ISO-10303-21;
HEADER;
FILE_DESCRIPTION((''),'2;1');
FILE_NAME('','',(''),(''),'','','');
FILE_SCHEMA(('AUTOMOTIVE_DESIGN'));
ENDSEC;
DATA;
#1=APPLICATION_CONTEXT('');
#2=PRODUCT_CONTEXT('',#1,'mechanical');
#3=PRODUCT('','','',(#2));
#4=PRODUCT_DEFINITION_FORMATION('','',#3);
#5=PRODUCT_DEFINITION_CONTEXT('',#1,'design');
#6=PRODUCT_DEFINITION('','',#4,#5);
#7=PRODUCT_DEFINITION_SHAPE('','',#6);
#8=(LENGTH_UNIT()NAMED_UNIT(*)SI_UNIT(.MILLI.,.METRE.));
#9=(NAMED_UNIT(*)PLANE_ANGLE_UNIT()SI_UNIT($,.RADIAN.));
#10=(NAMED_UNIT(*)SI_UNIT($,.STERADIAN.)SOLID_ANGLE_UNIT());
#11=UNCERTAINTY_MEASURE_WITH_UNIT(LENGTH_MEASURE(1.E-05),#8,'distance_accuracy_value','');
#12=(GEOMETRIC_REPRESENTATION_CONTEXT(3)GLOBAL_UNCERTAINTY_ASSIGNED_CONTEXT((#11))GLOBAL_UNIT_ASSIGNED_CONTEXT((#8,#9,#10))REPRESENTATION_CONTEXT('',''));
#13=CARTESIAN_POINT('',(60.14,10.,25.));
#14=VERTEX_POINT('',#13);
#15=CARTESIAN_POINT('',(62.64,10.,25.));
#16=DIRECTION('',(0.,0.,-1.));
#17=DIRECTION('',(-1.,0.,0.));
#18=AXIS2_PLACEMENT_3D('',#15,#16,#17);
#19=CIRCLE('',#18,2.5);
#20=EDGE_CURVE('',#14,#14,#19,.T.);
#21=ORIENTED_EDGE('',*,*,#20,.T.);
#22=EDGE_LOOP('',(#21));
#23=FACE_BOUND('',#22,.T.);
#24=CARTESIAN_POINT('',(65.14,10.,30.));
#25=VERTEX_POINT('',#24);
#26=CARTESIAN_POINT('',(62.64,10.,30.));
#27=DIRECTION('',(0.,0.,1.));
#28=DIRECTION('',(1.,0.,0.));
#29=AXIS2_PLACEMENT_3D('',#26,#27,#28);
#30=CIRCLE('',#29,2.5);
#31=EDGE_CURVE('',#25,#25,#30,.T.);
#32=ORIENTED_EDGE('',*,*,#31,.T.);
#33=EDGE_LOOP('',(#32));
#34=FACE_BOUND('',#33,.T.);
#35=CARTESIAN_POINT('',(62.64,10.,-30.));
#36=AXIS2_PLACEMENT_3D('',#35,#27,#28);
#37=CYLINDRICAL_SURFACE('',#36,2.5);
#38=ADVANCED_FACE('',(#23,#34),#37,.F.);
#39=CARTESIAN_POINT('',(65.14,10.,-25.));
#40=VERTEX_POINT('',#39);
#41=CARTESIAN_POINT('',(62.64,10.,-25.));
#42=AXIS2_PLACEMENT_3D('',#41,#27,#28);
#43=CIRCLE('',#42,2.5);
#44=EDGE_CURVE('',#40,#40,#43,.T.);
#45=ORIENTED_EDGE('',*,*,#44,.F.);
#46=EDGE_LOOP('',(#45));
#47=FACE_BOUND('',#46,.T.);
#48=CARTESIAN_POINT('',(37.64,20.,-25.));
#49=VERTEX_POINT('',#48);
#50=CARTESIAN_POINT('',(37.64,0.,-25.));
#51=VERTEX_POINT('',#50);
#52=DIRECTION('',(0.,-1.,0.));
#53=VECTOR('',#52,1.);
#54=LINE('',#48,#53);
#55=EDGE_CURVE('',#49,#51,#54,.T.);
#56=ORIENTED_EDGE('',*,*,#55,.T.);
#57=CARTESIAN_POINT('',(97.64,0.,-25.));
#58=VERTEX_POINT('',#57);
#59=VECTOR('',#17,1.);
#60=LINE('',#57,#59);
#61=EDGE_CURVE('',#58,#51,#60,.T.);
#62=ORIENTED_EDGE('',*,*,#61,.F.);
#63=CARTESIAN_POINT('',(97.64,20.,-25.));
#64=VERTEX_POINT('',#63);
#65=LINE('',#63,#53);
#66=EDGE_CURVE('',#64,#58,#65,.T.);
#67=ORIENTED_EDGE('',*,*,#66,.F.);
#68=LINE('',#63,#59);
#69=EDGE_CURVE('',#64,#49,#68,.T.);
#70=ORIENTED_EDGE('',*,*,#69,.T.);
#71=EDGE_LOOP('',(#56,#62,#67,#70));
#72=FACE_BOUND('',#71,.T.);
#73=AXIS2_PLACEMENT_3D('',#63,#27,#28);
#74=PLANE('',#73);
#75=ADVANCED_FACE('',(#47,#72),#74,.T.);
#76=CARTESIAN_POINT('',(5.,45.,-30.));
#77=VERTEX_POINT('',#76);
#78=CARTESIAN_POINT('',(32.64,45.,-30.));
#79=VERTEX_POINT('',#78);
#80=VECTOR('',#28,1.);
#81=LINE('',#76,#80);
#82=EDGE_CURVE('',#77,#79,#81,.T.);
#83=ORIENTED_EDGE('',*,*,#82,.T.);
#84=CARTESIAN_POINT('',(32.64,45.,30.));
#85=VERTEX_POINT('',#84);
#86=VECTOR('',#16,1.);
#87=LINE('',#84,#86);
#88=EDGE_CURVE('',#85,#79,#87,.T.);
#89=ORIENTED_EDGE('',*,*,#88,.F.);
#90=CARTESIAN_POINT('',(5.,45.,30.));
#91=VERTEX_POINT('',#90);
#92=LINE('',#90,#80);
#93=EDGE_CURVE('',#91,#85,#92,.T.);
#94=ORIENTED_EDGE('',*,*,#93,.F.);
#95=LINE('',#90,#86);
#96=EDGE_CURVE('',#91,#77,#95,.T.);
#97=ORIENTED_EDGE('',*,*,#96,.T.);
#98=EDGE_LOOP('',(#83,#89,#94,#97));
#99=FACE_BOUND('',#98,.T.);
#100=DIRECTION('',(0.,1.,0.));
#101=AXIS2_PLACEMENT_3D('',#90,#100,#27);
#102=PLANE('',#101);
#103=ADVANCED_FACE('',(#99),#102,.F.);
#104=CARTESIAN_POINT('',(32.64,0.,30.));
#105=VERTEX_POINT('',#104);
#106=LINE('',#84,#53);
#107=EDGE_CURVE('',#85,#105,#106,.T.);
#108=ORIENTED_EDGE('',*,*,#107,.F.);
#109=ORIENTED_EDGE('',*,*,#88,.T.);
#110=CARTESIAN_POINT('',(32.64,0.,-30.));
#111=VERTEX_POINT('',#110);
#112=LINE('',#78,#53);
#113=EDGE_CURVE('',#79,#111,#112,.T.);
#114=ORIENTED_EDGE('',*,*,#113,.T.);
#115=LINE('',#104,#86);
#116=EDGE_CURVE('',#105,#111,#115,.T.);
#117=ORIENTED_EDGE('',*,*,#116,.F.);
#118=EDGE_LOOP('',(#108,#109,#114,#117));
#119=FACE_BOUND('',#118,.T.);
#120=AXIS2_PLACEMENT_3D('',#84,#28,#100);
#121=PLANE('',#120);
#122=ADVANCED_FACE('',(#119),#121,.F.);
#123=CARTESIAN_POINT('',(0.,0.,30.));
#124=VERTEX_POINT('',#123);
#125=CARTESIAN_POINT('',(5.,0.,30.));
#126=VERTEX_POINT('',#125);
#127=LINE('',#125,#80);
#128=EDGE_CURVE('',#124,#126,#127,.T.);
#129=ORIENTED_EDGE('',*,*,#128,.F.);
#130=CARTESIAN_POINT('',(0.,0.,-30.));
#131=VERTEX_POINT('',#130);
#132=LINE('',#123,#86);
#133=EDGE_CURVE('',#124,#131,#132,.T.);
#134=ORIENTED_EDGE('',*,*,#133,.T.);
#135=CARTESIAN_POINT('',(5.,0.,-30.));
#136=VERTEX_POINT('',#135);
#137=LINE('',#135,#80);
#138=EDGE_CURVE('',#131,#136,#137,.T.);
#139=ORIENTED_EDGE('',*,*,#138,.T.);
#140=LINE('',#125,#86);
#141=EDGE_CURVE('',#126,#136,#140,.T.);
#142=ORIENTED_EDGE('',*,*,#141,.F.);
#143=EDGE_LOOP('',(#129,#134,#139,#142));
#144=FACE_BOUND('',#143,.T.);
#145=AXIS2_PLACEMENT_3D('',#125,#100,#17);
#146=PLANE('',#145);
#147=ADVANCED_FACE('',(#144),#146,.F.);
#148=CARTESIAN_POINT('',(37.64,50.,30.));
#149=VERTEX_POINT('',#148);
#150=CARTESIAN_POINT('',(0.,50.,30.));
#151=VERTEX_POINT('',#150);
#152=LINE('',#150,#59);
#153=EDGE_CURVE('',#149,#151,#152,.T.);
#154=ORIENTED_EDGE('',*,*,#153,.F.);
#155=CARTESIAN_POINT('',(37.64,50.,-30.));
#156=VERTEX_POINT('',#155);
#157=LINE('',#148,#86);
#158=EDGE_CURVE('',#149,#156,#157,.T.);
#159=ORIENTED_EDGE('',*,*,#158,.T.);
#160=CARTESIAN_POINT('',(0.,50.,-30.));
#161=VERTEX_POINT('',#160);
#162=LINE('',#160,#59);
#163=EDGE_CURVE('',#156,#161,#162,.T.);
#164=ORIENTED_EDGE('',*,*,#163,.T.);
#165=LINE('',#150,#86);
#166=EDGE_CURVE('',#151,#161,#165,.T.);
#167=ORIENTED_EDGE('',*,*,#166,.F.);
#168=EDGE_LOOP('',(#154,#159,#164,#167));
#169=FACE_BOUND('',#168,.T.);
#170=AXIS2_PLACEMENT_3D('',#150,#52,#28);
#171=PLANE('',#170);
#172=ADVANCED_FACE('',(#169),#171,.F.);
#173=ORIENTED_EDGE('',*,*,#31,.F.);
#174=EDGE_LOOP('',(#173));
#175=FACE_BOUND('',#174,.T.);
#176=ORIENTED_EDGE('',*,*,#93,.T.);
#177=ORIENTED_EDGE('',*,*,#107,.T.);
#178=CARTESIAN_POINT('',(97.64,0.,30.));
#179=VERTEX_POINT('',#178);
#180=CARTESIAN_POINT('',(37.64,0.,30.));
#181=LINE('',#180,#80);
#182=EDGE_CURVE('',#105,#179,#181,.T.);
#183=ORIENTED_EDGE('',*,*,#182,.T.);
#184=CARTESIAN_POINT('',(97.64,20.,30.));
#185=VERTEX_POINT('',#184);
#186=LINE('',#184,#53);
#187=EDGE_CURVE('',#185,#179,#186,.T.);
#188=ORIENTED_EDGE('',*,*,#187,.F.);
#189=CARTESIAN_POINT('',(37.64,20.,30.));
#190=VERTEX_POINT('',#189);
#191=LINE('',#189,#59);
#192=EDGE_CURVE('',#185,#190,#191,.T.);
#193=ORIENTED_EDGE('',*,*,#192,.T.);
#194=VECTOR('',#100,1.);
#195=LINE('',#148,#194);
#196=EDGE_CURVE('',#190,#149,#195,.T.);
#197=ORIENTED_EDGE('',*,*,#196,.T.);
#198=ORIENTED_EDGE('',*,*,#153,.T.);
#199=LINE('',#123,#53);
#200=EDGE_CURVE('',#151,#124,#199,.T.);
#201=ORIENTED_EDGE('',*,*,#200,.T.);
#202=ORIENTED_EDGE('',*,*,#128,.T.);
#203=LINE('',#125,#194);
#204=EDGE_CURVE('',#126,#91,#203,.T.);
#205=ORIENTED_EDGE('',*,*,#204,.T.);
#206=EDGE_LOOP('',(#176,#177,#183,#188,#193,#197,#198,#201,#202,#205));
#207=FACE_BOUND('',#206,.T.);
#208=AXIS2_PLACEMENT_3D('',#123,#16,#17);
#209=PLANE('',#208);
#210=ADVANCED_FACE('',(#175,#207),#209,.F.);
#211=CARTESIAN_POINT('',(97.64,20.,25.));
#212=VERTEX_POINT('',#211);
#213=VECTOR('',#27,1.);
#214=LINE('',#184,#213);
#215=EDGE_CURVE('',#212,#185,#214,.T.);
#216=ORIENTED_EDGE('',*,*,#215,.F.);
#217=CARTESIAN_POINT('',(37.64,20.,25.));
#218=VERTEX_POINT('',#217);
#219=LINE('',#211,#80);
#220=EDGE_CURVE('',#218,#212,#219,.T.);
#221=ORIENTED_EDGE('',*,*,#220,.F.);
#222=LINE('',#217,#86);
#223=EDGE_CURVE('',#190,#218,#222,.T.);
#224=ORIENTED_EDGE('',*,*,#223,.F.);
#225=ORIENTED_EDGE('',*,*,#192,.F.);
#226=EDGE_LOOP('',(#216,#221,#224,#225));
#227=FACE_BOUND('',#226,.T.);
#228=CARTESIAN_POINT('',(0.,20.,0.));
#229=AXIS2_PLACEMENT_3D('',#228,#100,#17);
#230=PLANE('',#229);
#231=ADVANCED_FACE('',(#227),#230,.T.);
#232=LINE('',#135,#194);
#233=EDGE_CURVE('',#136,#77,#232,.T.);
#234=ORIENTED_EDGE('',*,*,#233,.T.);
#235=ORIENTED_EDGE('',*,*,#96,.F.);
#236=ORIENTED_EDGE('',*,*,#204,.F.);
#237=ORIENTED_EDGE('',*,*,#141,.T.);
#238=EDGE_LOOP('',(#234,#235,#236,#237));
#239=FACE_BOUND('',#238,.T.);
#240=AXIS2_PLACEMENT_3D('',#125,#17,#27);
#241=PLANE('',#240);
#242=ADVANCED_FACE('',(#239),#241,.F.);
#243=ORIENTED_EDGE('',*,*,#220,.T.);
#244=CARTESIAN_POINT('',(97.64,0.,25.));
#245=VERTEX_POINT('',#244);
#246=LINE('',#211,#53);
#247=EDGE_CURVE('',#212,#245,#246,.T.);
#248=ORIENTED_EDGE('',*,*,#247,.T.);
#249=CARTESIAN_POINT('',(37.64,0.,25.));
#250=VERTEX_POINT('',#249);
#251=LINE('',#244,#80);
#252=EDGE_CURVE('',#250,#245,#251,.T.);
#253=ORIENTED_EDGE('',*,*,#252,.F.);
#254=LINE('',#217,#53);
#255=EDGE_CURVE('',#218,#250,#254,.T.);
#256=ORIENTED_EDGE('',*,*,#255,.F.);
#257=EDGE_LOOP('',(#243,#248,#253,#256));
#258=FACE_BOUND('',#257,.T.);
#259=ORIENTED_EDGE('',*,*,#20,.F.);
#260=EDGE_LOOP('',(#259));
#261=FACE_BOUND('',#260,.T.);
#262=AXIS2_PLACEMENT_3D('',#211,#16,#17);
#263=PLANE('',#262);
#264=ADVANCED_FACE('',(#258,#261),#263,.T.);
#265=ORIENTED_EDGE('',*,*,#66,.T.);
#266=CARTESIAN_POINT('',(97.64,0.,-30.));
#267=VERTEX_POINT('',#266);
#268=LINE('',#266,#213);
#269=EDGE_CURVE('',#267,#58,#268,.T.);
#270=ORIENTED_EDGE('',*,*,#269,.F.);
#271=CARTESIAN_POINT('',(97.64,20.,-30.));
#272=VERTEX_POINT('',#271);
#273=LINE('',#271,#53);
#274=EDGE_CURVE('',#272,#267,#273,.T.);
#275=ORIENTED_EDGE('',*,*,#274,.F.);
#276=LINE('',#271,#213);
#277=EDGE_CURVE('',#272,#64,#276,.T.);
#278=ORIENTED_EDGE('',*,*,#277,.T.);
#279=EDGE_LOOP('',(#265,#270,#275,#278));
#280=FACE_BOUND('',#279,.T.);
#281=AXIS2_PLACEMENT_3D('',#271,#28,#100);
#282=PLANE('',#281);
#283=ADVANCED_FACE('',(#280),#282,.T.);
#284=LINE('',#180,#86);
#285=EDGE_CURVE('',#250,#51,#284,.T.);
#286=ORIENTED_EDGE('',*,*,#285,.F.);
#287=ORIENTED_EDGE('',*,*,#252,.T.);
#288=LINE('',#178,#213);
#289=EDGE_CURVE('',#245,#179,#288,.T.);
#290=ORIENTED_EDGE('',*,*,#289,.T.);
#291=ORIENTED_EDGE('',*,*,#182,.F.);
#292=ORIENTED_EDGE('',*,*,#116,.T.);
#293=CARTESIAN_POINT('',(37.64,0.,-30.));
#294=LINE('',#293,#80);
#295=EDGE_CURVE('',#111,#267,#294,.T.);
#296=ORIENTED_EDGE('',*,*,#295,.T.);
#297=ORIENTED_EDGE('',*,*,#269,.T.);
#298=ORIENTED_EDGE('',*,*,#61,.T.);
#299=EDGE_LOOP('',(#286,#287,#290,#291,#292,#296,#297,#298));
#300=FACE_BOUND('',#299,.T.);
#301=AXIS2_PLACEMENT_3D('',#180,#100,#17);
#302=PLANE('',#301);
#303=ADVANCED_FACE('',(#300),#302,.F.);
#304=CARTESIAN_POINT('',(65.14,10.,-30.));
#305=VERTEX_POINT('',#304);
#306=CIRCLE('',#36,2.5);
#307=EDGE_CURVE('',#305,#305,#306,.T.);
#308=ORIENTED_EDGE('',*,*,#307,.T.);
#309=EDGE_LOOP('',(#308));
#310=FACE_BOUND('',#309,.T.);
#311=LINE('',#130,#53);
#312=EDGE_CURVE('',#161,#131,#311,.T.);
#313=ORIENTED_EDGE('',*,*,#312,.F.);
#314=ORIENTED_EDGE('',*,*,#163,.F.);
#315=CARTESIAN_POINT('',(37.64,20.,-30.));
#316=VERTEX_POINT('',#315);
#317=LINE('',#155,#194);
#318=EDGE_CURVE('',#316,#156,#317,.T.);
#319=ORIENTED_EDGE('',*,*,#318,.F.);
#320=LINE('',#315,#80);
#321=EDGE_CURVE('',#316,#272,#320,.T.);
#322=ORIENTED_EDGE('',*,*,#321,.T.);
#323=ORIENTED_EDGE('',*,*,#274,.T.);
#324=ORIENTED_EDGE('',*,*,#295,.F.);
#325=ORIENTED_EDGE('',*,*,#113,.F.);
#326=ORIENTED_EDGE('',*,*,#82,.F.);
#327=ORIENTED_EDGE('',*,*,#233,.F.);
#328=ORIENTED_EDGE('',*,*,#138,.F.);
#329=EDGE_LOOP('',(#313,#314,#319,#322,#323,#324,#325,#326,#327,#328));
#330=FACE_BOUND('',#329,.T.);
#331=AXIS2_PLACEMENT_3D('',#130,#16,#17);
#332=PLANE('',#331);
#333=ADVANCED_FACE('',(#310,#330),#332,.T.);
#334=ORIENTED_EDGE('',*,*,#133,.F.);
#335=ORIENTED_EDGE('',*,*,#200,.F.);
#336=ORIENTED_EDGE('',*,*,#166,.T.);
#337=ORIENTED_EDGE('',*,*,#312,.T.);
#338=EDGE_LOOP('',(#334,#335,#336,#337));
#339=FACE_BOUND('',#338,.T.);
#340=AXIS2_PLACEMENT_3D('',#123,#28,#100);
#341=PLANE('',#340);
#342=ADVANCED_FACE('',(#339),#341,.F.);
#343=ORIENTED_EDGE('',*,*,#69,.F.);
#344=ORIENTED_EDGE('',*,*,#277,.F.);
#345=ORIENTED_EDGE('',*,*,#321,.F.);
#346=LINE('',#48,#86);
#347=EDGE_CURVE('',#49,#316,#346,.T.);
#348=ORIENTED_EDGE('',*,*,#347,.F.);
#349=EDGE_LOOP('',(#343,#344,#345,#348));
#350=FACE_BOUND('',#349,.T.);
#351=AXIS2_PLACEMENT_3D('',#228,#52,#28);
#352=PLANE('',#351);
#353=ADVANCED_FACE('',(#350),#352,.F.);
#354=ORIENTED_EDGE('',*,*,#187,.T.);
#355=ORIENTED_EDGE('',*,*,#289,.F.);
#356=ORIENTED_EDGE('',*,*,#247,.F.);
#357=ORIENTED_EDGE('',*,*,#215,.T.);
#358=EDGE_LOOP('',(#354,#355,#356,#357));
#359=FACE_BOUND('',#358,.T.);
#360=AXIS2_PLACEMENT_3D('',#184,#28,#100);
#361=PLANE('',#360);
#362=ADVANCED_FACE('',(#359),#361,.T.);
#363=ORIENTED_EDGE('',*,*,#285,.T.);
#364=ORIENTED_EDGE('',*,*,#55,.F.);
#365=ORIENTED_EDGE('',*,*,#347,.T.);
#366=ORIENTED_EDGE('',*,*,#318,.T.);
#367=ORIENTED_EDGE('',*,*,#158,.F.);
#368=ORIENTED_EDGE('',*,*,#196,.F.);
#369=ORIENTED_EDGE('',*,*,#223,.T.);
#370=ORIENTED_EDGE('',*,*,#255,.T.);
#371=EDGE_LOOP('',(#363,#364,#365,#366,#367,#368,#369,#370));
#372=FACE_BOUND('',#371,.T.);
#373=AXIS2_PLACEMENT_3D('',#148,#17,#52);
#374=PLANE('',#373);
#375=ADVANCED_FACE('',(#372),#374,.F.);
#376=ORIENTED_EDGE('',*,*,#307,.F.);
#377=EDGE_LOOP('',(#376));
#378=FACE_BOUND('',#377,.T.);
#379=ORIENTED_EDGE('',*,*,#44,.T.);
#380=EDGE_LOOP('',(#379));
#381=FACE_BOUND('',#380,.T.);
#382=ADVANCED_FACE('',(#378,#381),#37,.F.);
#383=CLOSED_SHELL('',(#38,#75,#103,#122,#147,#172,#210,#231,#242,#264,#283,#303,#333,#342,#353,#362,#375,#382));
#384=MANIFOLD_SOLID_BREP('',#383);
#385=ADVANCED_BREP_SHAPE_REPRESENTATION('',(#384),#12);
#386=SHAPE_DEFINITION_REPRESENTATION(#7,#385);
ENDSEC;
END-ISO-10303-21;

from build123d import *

# Parameters (mm, degrees)
BOSS_EXTRUDE1_DEPTH = 30
SKETCH3_W           = 60
SKETCH3_H           = 5
BOSS_EXTRUDE2_DEPTH = 20
SKETCH4_R           = 2.5
CUT_EXTRUDE1_DEPTH  = 126.034273701


with BuildPart() as part:
    # Sketch1 → Boss-Extrude1 (new, symmetric)
    with BuildSketch(Plane.XY):
        Polygon((0, 0), (0, 50), (37.64, 50), (37.64, 0), (32.64, 0), (32.64, 45), (5, 45), (5, 0), align=None)
    extrude(amount=BOSS_EXTRUDE1_DEPTH, both=True)

    # Sketch3 → Boss-Extrude2 (add)
    with BuildSketch(Plane.XZ):
        with Locations((67.64, 27.5)):
            Rectangle(SKETCH3_W, SKETCH3_H)
        with Locations((67.64, -27.5)):
            Rectangle(SKETCH3_W, SKETCH3_H)
    extrude(amount=-BOSS_EXTRUDE2_DEPTH)

    # Sketch4 → Cut-Extrude1 (cut, through all)
    with BuildSketch(Plane.XY.offset(30)):
        with Locations((62.64, 10)):
            Circle(SKETCH4_R)
    extrude(amount=-CUT_EXTRUDE1_DEPTH, mode=Mode.SUBTRACT)


solid = part.part
